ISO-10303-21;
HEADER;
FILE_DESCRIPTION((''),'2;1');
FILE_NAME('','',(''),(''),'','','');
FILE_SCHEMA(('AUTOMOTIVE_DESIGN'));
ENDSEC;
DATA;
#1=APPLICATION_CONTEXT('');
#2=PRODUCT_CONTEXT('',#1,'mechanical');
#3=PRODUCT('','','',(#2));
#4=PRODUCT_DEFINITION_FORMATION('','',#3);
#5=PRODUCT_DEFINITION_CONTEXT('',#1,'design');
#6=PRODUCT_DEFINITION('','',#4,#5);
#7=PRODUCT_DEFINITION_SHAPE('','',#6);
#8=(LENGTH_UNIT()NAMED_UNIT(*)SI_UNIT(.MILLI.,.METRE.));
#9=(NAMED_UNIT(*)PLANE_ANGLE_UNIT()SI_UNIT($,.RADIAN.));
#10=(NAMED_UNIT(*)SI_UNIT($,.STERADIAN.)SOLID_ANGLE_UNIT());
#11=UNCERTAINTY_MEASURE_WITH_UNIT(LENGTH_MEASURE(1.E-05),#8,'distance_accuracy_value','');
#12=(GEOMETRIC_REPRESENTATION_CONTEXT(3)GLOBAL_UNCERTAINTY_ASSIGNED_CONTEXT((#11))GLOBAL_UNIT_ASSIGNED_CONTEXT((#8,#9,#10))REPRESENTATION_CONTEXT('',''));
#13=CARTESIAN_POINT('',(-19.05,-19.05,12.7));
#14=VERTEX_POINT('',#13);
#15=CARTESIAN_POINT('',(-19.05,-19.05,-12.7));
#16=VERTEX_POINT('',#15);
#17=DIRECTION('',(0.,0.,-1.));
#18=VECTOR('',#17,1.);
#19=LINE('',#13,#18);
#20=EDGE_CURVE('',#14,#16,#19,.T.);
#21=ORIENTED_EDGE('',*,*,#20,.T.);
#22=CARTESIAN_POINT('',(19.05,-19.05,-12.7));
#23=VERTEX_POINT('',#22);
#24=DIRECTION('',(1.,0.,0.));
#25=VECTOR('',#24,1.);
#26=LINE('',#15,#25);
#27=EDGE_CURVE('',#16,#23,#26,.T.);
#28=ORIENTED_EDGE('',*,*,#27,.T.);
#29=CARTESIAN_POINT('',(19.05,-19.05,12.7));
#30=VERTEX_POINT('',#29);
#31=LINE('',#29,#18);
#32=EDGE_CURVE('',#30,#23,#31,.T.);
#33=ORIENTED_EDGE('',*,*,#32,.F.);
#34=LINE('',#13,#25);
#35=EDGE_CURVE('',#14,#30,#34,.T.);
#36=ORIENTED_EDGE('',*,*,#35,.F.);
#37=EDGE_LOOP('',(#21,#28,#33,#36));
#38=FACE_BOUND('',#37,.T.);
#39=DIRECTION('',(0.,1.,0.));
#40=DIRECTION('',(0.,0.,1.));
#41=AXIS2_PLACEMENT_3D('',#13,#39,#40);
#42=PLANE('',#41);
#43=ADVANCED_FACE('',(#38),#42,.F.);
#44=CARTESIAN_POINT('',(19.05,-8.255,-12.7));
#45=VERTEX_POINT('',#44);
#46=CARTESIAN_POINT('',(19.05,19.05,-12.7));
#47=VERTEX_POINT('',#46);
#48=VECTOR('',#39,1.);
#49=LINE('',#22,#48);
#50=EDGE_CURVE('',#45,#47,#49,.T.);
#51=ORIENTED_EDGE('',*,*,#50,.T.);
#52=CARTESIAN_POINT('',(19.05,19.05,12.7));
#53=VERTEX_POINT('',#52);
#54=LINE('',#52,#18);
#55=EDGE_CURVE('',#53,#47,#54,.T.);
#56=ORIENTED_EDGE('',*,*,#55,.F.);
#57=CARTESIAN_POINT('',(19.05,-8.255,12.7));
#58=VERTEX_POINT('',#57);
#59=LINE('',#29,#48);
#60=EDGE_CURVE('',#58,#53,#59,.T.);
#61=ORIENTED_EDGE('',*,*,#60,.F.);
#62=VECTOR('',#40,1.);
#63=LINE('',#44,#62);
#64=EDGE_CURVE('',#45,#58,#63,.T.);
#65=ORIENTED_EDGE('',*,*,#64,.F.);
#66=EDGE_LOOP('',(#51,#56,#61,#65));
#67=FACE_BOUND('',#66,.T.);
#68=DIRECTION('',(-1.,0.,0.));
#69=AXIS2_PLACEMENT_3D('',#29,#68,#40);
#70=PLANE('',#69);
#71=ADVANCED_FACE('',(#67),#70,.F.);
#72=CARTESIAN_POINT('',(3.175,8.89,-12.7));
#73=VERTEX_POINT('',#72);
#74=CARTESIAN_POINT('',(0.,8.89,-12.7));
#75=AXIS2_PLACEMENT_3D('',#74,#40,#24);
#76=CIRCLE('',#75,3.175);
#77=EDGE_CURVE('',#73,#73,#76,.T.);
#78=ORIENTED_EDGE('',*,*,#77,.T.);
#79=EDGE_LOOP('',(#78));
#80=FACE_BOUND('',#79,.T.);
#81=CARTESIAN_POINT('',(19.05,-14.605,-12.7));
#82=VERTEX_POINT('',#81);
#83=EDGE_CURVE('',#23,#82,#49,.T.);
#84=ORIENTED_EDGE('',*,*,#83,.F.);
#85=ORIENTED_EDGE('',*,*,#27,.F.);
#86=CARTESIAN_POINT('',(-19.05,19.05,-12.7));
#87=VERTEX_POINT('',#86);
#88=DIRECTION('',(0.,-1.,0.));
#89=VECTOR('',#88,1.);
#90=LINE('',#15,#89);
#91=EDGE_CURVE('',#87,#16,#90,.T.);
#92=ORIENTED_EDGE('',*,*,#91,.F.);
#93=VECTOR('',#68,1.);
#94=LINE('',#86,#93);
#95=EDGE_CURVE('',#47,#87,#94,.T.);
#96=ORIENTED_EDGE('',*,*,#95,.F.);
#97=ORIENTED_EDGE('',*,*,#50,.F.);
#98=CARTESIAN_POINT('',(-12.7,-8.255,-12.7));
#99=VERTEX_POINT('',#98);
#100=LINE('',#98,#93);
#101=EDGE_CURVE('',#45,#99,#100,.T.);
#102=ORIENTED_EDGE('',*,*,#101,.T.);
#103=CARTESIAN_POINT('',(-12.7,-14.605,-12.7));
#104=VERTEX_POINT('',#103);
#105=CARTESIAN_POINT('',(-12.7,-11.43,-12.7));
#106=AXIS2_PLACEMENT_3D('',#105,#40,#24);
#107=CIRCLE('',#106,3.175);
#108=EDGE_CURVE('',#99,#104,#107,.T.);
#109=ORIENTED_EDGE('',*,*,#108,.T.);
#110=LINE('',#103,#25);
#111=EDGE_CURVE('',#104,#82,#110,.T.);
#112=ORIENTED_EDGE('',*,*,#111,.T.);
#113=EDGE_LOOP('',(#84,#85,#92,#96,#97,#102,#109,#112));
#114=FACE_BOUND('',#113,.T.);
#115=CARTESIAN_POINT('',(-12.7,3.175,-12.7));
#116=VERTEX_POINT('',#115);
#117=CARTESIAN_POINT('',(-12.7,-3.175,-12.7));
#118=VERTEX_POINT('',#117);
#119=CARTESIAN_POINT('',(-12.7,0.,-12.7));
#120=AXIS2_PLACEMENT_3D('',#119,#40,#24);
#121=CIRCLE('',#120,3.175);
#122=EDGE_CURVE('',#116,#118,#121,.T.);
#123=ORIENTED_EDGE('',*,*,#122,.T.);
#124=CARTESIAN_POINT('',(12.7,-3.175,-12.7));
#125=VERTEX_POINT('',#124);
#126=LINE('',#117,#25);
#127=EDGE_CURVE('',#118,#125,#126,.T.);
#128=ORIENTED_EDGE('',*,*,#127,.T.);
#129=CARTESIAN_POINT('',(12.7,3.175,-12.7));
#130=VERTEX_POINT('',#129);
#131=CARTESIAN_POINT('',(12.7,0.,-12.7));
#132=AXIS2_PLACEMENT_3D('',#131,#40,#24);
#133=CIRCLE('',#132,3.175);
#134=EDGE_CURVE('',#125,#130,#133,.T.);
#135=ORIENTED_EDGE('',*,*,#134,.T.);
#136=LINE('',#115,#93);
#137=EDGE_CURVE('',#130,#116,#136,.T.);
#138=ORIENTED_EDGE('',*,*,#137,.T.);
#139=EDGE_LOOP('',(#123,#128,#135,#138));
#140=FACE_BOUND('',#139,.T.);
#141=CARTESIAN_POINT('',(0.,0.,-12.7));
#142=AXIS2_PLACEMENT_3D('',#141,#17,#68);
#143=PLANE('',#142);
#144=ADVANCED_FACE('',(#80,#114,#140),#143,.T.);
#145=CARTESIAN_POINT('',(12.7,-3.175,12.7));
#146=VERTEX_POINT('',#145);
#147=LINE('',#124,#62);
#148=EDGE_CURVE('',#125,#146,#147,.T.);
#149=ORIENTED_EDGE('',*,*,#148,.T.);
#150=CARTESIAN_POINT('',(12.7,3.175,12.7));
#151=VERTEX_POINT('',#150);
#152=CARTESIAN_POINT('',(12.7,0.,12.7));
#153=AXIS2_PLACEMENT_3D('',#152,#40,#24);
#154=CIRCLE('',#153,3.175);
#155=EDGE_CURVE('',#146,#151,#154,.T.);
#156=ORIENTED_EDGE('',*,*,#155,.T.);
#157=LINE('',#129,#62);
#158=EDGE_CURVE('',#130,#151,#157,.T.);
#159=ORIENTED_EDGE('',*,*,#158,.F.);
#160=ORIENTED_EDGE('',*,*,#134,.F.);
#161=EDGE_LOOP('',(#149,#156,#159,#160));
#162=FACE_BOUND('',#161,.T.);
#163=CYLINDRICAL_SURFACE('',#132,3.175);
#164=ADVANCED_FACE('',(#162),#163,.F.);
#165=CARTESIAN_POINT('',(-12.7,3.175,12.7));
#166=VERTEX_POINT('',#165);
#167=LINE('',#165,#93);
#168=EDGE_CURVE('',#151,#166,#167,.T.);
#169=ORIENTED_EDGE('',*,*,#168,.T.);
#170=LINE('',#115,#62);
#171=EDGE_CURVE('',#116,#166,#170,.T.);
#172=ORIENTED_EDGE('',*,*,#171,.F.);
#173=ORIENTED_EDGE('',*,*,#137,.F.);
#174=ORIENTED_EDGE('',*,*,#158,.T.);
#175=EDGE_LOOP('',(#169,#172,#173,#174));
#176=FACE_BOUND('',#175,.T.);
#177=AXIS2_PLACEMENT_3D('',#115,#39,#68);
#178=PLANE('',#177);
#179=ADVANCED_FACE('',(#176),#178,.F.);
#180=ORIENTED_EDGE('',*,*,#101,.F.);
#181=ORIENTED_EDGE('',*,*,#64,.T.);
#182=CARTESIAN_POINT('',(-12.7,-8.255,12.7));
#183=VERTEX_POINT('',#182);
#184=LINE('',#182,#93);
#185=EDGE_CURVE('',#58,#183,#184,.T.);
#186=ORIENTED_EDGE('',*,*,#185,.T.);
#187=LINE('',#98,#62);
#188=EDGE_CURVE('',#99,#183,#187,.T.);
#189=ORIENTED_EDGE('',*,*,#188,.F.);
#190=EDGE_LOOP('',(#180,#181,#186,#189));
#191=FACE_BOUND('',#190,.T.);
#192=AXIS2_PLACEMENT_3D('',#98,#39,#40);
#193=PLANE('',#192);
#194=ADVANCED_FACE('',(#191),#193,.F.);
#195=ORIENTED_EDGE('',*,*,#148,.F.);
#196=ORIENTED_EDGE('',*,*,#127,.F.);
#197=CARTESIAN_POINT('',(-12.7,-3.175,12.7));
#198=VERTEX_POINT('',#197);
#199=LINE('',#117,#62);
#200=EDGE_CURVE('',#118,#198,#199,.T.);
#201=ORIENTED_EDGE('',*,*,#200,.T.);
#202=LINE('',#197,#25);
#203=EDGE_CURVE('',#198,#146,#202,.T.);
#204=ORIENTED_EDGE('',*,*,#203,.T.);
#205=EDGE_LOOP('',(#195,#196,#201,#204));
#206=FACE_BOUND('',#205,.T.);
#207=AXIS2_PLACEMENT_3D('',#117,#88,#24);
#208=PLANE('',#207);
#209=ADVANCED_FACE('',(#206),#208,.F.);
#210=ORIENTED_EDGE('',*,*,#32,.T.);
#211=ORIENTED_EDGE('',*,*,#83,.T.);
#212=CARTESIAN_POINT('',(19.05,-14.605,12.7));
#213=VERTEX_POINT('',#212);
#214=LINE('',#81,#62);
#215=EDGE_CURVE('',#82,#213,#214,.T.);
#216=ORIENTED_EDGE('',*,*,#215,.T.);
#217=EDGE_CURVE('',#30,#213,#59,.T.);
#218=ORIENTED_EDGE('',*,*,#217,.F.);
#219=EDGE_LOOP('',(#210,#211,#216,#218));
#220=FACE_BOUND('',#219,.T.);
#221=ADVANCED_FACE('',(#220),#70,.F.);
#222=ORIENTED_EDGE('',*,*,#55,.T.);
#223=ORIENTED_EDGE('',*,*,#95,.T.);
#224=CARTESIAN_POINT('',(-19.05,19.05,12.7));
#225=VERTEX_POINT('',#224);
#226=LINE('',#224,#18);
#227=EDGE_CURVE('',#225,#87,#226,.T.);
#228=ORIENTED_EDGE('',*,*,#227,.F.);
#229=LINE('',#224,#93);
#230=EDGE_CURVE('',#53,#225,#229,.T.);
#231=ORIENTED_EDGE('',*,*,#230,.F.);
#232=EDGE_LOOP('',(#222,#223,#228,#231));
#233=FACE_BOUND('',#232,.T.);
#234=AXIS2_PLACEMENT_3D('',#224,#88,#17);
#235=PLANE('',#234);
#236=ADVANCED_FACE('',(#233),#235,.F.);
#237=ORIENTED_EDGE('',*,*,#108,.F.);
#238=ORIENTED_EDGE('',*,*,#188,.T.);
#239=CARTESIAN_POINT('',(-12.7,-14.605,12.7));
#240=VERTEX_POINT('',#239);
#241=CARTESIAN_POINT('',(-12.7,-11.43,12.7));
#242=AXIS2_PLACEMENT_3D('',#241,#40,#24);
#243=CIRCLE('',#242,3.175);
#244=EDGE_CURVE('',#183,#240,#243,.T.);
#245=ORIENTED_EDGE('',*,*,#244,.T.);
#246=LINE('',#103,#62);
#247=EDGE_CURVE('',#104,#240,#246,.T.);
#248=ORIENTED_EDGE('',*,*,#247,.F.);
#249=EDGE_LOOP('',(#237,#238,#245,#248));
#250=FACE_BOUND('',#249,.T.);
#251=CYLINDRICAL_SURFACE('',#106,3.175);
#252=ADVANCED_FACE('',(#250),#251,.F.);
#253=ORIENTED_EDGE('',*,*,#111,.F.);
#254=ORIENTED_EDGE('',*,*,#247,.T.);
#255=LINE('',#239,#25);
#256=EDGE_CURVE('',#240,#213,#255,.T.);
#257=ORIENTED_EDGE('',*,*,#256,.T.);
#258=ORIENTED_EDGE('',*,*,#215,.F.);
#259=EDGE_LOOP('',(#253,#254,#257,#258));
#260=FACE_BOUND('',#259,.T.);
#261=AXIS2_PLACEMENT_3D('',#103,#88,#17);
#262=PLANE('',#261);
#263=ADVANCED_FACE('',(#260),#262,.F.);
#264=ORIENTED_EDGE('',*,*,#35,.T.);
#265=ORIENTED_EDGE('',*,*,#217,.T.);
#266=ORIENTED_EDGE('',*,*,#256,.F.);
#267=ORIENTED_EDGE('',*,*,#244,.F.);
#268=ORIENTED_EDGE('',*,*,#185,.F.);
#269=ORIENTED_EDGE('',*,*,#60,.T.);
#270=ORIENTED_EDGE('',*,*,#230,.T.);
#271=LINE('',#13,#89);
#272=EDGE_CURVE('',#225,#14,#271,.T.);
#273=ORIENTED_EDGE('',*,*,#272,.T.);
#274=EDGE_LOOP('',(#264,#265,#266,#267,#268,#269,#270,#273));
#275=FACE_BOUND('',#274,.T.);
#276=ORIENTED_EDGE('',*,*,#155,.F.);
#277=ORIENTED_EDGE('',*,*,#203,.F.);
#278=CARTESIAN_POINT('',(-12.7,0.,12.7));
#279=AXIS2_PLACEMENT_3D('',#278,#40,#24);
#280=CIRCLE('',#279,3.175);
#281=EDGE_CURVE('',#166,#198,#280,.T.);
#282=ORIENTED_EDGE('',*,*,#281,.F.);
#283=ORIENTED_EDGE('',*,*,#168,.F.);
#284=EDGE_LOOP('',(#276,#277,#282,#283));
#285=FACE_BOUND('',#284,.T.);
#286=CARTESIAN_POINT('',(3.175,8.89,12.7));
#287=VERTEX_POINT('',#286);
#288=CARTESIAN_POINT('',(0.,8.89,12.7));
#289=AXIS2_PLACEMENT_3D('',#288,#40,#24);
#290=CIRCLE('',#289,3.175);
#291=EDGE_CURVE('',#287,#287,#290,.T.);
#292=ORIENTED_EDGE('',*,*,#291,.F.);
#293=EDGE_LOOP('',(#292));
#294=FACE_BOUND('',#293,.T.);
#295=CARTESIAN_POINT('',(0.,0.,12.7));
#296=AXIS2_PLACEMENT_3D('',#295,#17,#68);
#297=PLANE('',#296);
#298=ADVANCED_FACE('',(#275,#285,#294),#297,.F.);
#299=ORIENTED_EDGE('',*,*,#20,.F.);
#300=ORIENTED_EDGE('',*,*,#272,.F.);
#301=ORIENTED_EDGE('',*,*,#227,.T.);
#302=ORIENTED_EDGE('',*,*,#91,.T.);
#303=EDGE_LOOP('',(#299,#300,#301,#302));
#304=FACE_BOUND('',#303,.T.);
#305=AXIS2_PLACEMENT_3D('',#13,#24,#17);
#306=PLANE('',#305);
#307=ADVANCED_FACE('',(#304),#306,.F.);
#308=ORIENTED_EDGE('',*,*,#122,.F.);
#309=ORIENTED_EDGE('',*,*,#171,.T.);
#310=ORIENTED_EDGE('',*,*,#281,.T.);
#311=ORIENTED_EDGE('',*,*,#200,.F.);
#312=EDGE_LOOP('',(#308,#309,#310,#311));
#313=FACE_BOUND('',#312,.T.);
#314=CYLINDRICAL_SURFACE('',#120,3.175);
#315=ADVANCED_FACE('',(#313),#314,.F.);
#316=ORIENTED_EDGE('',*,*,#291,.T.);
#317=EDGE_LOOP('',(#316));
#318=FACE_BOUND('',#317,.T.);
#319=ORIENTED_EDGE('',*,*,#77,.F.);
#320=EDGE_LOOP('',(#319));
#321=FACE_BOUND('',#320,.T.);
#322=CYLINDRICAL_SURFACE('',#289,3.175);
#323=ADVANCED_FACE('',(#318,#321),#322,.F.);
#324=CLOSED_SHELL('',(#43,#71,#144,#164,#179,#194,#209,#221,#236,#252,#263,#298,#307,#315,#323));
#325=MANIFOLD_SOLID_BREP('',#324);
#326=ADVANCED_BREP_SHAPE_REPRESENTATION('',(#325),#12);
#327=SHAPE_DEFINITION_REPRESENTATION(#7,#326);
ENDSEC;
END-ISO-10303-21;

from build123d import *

# Parameters (mm, degrees)
SKETCH1_W                   = 38.1
SKETCH1_H                   = 38.1
BOSS_EXTRUDE1_DEPTH         = 12.7
CUT_EXTRUDE1_DEPTH          = 25.4
F_1_4_0_25_DIAMETER_HOLE1_D = 6.35
CUT_EXTRUDE2_DEPTH          = 25.4


with BuildPart() as part:
    # Sketch1 → Boss-Extrude1 (new, symmetric)
    with BuildSketch(Plane.XY):
        Rectangle(SKETCH1_W, SKETCH1_H)
    extrude(amount=BOSS_EXTRUDE1_DEPTH, both=True)

    # Sketch2 → Cut-Extrude1 (cut)
    with BuildSketch(Plane.XY.offset(12.7)):
        with BuildLine():
            Line((-12.7, -8.255), (19.05, -8.255))
            ThreePointArc((19.05, -8.255), (22.225, -11.43), (19.05, -14.605))
            Line((19.05, -14.605), (-12.7, -14.605))
            ThreePointArc((-12.7, -14.605), (-15.875, -11.43), (-12.7, -8.255))
        make_face()
    extrude(amount=-CUT_EXTRUDE1_DEPTH, mode=Mode.SUBTRACT)

    # 1/4 (0.25) Diameter Hole1 (through all)
    with Locations(Plane.XY.offset(12.7)):
        with Locations((0, 8.89)):
            Hole(F_1_4_0_25_DIAMETER_HOLE1_D / 2)

    # Sketch7 → Cut-Extrude2 (cut)
    with BuildSketch(Plane.XY.offset(12.7)):
        with BuildLine():
            Line((-12.7, 3.175), (12.7, 3.175))
            ThreePointArc((12.7, 3.175), (15.875, 0), (12.7, -3.175))
            Line((12.7, -3.175), (-12.7, -3.175))
            ThreePointArc((-12.7, -3.175), (-15.875, 0), (-12.7, 3.175))
        make_face()
    extrude(amount=-CUT_EXTRUDE2_DEPTH, mode=Mode.SUBTRACT)


solid = part.part
